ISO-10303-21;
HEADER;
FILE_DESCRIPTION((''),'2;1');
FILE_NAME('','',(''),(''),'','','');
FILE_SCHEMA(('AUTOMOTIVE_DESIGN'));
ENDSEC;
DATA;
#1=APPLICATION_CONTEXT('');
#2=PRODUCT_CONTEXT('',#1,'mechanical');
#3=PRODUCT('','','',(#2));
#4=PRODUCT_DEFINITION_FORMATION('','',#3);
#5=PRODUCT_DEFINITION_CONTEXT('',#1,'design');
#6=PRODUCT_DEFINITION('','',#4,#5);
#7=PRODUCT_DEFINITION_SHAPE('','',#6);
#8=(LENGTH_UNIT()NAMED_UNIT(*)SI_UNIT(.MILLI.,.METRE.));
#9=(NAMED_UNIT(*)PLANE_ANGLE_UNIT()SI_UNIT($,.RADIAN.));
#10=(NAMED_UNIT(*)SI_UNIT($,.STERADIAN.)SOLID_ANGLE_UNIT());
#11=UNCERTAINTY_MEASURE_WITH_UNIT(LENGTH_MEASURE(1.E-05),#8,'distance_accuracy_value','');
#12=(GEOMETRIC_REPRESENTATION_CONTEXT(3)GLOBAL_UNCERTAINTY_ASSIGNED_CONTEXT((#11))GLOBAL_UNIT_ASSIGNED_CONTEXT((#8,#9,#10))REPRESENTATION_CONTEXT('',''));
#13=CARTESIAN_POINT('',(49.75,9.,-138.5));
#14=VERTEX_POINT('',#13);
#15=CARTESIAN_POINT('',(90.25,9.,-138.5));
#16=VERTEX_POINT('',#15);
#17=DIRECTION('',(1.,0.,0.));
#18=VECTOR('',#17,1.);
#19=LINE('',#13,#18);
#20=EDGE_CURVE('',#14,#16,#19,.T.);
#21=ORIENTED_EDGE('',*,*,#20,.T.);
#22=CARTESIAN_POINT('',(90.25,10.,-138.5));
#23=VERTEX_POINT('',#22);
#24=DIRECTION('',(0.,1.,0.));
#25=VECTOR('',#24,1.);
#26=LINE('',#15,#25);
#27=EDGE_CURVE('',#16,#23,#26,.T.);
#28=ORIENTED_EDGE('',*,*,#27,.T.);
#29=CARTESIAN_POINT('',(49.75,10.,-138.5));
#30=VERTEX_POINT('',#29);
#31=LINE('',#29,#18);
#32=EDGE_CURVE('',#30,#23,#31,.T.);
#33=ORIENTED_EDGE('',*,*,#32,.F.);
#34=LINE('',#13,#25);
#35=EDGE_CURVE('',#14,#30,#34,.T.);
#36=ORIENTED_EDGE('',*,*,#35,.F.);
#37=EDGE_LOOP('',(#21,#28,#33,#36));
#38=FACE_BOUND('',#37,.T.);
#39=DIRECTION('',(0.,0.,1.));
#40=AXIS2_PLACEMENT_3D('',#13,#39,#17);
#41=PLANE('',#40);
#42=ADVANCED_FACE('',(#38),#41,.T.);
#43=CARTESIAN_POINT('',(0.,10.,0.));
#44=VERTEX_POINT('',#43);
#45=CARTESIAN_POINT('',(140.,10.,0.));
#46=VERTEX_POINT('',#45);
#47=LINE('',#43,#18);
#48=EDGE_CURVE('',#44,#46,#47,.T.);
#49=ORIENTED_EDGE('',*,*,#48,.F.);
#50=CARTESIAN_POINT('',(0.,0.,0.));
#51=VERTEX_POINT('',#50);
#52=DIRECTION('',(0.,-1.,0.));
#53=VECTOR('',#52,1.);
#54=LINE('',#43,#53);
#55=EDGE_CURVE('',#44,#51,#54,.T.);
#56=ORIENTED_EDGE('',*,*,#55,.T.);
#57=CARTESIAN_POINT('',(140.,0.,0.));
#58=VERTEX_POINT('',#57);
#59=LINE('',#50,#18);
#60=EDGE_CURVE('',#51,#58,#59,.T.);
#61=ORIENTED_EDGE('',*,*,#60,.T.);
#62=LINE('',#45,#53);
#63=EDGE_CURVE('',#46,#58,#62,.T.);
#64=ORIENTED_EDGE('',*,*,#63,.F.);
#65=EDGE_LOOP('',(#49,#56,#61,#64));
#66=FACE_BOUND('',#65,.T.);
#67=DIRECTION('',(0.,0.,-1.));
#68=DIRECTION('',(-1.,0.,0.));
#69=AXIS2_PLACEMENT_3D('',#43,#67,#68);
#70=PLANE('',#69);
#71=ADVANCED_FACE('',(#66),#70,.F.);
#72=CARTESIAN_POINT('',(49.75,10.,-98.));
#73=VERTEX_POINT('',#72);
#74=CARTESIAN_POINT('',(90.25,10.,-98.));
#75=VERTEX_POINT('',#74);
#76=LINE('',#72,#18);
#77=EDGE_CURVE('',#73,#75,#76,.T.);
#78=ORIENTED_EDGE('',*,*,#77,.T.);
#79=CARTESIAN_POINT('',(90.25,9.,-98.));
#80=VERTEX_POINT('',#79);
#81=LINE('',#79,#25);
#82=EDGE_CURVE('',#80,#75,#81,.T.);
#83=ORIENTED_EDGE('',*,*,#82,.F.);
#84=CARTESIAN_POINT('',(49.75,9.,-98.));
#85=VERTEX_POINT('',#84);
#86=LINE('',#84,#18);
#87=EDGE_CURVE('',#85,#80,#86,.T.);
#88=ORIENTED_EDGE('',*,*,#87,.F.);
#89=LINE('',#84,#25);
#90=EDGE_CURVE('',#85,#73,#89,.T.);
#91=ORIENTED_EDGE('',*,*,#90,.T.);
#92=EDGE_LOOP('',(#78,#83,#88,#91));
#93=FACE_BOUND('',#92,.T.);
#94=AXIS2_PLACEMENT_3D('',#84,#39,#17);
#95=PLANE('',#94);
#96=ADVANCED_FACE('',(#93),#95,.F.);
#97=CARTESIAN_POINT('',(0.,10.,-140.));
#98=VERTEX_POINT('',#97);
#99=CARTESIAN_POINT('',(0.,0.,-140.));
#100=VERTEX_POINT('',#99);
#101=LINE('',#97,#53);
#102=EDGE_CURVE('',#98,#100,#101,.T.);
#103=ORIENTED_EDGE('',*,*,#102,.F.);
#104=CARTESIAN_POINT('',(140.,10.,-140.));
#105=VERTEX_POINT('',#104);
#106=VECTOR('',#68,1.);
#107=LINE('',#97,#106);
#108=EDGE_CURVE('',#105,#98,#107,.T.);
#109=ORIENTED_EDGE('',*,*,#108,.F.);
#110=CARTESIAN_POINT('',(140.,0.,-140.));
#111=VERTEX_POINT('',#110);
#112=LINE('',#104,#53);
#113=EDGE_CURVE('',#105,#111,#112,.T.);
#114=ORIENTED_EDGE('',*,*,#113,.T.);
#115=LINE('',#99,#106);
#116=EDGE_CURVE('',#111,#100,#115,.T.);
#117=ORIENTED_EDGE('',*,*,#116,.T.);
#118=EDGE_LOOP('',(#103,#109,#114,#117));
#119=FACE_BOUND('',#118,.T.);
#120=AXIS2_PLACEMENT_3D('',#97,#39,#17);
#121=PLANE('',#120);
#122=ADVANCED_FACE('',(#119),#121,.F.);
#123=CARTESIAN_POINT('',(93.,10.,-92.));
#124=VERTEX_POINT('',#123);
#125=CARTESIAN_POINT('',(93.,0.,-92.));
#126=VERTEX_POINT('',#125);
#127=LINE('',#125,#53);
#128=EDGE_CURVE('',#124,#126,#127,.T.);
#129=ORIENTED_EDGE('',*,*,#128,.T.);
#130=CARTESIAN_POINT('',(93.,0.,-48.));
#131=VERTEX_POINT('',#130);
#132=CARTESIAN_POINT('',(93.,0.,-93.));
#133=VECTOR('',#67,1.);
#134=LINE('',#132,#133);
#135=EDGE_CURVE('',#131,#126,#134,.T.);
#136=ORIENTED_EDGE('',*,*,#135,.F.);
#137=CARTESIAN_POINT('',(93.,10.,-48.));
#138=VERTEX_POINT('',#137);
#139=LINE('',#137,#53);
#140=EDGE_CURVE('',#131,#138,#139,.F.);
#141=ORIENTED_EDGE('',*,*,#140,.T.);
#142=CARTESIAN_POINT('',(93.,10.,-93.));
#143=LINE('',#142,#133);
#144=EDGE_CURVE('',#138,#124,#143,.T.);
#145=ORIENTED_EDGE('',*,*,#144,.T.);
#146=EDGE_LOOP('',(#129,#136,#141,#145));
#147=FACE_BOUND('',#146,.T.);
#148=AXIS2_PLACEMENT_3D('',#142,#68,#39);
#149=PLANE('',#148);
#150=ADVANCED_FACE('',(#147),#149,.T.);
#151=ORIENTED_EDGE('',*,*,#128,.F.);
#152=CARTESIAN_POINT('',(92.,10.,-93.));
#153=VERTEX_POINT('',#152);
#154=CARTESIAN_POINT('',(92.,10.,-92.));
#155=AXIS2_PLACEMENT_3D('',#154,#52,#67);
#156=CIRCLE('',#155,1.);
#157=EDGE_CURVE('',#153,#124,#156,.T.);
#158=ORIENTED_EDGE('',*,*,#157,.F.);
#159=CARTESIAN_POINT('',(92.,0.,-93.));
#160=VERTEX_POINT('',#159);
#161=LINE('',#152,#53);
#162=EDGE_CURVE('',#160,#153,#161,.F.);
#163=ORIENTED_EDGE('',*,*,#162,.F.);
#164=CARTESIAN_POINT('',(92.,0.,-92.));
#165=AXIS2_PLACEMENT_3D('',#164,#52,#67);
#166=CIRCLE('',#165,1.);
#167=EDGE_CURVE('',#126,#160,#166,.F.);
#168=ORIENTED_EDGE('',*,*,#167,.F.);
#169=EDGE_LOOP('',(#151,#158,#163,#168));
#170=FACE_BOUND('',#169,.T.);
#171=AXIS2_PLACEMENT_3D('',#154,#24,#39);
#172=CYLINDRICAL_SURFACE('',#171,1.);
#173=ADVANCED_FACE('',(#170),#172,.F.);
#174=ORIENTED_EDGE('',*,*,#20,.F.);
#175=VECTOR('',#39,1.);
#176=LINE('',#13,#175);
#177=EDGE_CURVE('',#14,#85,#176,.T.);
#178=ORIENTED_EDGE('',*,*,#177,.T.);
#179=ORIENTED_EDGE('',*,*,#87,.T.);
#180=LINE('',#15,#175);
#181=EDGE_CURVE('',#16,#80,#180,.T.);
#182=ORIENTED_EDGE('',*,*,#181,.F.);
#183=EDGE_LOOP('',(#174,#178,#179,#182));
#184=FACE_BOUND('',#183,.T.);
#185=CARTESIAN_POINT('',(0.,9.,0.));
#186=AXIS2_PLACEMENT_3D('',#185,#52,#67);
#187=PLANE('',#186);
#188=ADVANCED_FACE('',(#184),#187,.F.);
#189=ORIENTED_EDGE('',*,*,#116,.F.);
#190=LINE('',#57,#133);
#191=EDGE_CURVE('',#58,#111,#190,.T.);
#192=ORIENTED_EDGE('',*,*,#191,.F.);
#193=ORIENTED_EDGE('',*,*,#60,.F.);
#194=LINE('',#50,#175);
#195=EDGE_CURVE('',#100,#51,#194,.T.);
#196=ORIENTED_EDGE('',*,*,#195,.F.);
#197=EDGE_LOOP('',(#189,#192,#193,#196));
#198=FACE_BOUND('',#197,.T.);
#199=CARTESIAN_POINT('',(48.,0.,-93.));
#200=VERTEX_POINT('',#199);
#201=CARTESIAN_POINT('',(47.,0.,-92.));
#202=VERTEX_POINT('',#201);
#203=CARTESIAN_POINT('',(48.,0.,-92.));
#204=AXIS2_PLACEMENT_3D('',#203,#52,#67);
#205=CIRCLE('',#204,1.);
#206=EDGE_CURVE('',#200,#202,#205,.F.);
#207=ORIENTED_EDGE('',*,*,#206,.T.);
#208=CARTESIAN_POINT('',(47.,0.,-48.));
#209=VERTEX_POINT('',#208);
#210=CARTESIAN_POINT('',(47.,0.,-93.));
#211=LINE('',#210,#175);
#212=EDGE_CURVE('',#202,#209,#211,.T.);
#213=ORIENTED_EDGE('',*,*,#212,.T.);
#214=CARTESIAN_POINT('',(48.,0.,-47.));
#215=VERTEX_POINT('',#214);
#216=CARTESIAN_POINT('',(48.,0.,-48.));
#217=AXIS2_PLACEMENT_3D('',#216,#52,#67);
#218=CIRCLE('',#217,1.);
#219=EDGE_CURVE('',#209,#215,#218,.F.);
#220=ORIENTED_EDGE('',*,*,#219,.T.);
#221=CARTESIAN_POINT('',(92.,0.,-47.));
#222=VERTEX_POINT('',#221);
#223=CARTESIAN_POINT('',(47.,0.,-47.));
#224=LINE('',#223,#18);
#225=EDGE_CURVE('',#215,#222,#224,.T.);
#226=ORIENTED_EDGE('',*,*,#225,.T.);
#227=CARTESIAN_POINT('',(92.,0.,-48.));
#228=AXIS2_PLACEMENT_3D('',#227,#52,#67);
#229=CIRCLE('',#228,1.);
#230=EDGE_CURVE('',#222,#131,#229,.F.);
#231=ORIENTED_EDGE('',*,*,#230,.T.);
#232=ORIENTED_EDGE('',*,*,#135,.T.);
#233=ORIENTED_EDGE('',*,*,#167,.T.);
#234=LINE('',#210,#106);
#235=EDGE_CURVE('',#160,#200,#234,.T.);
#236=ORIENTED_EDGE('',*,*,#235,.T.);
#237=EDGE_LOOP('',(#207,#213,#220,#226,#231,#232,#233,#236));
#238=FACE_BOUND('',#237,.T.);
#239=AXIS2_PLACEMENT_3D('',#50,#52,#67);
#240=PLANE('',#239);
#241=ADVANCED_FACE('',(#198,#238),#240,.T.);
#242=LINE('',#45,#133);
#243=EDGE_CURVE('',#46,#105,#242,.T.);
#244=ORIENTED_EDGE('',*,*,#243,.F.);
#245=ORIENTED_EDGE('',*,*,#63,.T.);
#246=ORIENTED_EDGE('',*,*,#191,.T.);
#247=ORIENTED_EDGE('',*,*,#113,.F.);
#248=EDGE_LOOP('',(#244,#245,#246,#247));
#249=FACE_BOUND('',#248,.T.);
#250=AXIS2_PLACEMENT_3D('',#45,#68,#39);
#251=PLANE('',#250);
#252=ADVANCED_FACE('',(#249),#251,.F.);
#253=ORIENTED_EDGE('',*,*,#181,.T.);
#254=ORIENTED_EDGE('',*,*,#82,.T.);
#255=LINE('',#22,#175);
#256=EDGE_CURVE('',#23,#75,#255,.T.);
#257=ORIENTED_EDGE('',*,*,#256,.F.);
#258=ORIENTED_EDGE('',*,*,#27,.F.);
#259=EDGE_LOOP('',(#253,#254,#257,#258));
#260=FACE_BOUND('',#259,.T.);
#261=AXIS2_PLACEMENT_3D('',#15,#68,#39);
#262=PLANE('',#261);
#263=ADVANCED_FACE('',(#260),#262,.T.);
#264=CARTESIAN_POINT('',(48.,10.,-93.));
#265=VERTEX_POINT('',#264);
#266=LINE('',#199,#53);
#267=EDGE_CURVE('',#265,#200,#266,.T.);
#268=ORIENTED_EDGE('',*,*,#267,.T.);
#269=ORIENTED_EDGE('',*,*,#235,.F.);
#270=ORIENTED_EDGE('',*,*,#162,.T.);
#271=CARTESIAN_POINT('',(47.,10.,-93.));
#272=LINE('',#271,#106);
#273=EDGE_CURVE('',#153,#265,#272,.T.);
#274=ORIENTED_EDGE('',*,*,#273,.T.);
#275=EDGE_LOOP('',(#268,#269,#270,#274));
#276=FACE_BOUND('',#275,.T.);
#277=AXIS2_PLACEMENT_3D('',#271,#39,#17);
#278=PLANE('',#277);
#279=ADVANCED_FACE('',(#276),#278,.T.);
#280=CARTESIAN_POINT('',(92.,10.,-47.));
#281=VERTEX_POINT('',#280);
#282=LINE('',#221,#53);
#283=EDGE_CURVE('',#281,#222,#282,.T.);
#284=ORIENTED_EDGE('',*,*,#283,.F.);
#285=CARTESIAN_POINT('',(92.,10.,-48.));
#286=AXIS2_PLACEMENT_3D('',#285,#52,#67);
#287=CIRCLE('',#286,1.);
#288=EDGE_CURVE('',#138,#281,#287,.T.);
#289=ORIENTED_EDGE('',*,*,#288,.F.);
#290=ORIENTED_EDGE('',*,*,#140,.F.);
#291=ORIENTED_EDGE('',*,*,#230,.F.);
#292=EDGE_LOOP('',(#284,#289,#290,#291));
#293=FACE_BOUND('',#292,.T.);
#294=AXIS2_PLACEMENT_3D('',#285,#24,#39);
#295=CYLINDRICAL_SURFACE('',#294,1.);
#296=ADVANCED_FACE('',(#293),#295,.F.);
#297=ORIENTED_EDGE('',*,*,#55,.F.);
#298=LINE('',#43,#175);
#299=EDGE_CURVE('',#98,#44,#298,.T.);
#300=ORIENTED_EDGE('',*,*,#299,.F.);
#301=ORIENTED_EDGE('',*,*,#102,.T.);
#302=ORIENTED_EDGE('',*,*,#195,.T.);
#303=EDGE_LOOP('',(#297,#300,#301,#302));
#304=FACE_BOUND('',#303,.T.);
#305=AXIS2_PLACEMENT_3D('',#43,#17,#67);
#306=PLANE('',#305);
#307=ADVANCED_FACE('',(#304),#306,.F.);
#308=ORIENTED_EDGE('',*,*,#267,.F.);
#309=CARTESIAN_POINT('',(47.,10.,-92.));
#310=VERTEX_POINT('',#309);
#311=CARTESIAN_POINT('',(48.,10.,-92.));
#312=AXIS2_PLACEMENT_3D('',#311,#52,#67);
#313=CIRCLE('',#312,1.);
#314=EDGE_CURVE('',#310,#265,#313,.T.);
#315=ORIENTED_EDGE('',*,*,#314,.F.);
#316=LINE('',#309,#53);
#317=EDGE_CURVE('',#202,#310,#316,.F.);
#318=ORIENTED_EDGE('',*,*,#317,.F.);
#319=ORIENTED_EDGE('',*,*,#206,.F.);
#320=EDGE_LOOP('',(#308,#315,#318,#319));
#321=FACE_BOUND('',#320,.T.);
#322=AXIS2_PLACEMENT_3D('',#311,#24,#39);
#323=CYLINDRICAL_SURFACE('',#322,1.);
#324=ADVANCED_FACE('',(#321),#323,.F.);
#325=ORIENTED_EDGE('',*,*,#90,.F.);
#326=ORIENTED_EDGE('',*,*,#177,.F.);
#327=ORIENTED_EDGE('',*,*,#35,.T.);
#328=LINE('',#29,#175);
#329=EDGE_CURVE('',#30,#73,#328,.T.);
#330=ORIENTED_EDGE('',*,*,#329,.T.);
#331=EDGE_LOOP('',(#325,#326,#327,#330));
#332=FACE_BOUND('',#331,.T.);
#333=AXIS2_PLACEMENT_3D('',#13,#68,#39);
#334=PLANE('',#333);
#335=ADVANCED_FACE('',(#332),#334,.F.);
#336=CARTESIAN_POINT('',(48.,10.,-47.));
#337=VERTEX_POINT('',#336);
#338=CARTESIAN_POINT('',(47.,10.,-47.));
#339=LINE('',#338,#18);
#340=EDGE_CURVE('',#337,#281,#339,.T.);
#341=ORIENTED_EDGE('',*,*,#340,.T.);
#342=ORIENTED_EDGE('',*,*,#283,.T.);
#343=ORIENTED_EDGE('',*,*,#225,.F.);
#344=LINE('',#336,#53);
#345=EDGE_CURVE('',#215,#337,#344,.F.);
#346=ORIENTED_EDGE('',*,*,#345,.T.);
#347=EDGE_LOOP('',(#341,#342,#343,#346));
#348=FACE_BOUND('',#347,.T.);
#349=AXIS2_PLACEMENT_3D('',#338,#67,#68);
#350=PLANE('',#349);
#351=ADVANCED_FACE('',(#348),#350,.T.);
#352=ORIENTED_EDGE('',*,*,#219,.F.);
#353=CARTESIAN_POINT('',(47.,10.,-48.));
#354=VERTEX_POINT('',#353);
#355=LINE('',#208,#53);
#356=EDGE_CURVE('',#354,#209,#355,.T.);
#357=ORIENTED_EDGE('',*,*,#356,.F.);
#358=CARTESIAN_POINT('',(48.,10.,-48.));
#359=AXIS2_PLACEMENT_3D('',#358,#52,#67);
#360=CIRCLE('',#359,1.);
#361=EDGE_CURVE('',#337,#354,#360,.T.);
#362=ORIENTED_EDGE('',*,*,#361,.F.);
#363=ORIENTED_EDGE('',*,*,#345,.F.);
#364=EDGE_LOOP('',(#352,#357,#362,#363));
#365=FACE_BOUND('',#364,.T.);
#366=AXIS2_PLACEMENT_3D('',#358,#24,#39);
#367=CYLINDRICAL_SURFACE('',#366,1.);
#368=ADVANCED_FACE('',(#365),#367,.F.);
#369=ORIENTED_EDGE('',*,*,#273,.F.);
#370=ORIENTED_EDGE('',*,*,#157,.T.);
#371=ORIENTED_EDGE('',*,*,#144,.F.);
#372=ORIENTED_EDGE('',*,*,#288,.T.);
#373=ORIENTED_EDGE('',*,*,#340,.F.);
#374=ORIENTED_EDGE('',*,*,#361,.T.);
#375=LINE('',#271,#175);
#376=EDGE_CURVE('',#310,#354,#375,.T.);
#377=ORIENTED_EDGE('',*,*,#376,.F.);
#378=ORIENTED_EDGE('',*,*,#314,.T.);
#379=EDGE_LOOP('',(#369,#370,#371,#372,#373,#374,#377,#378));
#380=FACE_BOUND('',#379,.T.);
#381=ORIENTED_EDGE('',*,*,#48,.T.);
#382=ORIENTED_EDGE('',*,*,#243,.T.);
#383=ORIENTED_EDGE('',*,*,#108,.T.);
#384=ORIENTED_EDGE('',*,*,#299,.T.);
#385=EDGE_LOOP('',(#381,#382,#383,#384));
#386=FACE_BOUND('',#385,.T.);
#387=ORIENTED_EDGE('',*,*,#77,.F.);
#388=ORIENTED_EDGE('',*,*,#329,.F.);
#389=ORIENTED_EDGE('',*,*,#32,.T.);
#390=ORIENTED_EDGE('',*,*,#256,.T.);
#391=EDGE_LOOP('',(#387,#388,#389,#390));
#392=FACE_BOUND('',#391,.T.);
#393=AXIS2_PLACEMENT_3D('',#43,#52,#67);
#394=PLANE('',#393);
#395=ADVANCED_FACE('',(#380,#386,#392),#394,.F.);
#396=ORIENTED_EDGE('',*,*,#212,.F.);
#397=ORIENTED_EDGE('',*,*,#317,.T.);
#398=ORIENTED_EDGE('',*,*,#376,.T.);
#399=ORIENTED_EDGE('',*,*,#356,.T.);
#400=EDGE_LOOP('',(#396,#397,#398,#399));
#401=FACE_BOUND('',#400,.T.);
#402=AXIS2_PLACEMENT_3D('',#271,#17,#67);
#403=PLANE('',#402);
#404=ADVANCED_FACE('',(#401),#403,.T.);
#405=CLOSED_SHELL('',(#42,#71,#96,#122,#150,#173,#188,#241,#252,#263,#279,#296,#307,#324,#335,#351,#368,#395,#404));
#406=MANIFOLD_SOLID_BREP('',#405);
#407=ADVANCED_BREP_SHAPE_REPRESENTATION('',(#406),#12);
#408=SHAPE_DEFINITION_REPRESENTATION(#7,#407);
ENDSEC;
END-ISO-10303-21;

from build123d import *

# Parameters (mm, degrees)
SKIZZE1_W                       = 140
SKIZZE1_H                       = 140
SKIZZE1_W_2                     = 46
SKIZZE1_H_2                     = 46
AUFSATZ_LINEAR_AUSTRAGEN1_DEPTH = 10
SKIZZE3_W                       = 40.5
SKIZZE3_H                       = 40.5
SCHNITT_LINEAR_AUSTRAGEN1_DEPTH = 1
VERRUNDUNG1_R                   = 1


with BuildPart() as part:
    # Skizze1 → Aufsatz-Linear austragen1 (new body)
    with BuildSketch(Plane(origin=(0, 0, 0), x_dir=(1, 0, 0), z_dir=(0, 1, 0))):
        with Locations((70, 70)):
            Rectangle(SKIZZE1_W, SKIZZE1_H)
        with Locations((70, 70)):
            Rectangle(SKIZZE1_W_2, SKIZZE1_H_2, mode=Mode.SUBTRACT)
    extrude(amount=AUFSATZ_LINEAR_AUSTRAGEN1_DEPTH)

    # Skizze3 → Schnitt-Linear austragen1 (cut)
    with BuildSketch(Plane(origin=(0, 10, 0), x_dir=(1, 0, 0), z_dir=(0, 1, 0))):
        with Locations((70, 118.25)):
            Rectangle(SKIZZE3_W, SKIZZE3_H)
    extrude(amount=-SCHNITT_LINEAR_AUSTRAGEN1_DEPTH, mode=Mode.SUBTRACT)

    # Verrundung1
    verrundung1_edges = [part.edges().sort_by_distance(p)[0] for p in [
        (47, 5, -93),
        (47, 5, -47),
        (93, 5, -47),
        (93, 5, -93),
    ]]
    fillet(verrundung1_edges, radius=VERRUNDUNG1_R)


solid = part.part
